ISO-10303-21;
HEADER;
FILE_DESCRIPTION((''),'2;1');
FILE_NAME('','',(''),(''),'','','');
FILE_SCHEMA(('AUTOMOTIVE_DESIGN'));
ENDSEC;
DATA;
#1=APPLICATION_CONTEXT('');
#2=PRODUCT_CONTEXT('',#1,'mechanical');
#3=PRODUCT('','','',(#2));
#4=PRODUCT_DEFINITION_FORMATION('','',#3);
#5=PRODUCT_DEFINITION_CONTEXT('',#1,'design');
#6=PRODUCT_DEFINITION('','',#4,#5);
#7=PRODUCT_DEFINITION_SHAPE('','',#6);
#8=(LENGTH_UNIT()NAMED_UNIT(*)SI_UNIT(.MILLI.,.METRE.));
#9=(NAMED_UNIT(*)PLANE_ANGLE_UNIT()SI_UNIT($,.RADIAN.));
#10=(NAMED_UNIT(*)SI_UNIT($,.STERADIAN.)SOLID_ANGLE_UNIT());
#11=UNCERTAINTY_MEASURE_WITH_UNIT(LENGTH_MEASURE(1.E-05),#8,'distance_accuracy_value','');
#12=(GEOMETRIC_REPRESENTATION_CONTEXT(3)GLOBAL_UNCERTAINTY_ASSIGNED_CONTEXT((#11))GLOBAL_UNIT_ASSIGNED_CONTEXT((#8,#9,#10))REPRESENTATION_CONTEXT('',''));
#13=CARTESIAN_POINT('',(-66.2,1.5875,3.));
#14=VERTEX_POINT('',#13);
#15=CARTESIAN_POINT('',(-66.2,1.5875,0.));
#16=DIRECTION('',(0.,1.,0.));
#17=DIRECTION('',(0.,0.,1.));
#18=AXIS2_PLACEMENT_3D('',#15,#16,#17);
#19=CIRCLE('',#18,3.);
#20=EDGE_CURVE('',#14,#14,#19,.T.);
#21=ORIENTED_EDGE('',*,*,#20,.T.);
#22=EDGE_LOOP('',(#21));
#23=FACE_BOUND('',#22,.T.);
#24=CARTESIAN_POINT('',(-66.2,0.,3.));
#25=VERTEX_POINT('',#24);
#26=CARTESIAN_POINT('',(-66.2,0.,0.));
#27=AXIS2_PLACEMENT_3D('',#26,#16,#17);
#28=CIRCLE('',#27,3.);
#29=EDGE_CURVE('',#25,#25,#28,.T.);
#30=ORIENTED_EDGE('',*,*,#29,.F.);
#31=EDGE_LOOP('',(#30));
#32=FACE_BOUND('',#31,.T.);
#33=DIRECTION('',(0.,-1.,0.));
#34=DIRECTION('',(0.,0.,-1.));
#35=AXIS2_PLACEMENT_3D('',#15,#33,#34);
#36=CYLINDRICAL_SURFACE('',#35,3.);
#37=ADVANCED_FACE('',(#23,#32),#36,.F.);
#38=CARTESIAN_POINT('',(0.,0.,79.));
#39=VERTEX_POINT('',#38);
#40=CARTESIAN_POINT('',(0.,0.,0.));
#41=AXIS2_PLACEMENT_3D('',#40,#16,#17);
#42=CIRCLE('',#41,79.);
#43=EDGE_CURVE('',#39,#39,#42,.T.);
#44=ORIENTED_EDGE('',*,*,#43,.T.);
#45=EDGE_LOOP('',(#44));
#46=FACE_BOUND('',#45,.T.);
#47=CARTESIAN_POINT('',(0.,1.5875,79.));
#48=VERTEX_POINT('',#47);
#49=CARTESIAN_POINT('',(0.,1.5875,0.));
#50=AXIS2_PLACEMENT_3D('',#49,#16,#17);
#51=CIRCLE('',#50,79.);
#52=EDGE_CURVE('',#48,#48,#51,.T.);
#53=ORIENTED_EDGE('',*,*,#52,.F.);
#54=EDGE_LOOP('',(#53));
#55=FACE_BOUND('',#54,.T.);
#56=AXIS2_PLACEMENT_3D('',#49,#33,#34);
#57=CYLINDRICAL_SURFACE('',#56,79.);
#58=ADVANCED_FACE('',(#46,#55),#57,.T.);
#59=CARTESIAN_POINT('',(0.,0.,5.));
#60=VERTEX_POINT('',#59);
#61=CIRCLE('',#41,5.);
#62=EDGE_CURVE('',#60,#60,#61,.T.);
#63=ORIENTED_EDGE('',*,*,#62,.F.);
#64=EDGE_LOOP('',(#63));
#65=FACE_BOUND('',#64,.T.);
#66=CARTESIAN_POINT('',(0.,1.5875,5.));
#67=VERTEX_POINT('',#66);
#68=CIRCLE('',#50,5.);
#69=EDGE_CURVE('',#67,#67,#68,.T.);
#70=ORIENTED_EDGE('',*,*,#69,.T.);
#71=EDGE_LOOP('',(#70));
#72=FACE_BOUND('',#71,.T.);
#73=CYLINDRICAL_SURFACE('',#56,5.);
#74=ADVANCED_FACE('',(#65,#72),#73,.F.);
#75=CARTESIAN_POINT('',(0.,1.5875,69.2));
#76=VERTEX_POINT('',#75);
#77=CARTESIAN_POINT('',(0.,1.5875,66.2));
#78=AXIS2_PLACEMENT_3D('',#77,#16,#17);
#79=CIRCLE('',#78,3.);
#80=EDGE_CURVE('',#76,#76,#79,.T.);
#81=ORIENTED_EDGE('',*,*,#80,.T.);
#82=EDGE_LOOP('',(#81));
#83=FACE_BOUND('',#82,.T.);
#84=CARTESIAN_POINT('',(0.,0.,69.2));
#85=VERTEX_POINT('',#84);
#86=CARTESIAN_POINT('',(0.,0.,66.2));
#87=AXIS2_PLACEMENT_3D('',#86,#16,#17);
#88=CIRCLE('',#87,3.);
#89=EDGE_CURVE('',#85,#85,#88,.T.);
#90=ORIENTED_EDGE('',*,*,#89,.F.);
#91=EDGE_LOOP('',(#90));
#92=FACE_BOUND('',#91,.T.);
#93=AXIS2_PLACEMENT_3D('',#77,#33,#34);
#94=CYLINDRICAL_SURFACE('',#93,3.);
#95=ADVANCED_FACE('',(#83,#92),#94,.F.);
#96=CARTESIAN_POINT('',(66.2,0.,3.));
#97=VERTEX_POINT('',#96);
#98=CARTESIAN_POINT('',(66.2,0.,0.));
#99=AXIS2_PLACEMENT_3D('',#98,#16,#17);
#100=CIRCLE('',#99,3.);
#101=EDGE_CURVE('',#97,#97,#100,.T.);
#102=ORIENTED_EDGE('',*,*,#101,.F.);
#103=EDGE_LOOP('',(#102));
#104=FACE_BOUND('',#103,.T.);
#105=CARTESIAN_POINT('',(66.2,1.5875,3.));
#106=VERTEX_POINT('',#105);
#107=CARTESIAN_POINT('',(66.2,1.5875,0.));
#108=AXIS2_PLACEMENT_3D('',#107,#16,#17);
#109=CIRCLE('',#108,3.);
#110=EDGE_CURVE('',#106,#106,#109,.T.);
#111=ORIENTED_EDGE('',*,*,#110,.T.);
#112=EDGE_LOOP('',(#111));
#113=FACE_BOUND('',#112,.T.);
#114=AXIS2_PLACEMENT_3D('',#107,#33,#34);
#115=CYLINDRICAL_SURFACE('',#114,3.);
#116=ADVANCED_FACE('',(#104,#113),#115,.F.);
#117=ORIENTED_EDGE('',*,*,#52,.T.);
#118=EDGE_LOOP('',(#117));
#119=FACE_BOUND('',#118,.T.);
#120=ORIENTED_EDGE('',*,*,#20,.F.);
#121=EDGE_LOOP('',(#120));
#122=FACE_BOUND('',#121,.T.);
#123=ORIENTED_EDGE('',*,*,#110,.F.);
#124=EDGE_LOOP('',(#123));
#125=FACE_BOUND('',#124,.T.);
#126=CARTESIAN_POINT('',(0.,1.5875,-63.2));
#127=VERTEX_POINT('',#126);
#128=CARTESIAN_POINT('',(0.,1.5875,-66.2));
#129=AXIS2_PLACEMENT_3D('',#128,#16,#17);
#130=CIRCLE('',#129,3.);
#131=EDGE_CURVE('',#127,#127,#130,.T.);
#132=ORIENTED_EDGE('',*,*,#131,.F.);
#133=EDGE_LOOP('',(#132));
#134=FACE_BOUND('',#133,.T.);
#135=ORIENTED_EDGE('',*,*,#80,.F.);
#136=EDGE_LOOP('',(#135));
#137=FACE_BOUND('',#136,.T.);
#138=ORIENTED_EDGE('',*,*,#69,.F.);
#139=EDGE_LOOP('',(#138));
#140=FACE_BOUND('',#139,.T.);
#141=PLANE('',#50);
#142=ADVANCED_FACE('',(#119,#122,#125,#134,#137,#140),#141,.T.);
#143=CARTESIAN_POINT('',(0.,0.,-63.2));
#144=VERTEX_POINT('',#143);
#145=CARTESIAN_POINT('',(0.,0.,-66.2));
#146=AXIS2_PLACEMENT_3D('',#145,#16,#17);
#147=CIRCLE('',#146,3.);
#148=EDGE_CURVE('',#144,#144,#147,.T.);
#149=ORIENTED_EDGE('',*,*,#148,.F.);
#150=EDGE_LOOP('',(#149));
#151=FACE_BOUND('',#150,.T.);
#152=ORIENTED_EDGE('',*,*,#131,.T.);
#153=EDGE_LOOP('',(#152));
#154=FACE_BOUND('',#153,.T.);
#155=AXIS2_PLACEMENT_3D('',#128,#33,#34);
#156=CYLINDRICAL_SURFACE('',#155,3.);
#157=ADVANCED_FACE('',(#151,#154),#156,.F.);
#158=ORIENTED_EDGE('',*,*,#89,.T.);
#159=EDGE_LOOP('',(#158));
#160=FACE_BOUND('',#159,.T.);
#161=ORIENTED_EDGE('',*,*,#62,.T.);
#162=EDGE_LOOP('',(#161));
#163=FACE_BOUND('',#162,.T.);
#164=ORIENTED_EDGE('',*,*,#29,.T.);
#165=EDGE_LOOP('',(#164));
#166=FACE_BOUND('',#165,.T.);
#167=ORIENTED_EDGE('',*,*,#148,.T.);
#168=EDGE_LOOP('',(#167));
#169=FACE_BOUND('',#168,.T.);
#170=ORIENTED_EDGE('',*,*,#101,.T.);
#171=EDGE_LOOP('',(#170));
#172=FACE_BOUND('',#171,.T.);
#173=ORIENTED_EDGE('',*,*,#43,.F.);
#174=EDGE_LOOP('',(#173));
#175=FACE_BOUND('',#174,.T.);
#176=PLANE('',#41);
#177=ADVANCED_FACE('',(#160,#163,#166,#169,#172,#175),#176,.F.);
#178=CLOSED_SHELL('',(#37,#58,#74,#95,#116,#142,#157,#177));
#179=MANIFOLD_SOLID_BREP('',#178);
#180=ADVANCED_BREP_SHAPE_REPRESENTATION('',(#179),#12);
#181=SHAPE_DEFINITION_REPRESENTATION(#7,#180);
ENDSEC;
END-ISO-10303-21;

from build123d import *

# Parameters (mm, degrees)
SKETCH1_R           = 79
SKETCH1_R_2         = 3
SKETCH1_R_3         = 5
BOSS_EXTRUDE1_DEPTH = 1.5875


with BuildPart() as part:
    # Sketch1 → Boss-Extrude1 (new body)
    with BuildSketch(Plane(origin=(0, 0, 0), x_dir=(1, 0, 0), z_dir=(0, 1, 0))):
        Circle(SKETCH1_R)
        with Locations((0, 66.2)):
            Circle(SKETCH1_R_2, mode=Mode.SUBTRACT)
        with Locations((66.2, 0)):
            Circle(SKETCH1_R_2, mode=Mode.SUBTRACT)
        with Locations((0, -66.2)):
            Circle(SKETCH1_R_2, mode=Mode.SUBTRACT)
        with Locations((-66.2, 0)):
            Circle(SKETCH1_R_2, mode=Mode.SUBTRACT)
        Circle(SKETCH1_R_3, mode=Mode.SUBTRACT)
    extrude(amount=BOSS_EXTRUDE1_DEPTH)


solid = part.part
